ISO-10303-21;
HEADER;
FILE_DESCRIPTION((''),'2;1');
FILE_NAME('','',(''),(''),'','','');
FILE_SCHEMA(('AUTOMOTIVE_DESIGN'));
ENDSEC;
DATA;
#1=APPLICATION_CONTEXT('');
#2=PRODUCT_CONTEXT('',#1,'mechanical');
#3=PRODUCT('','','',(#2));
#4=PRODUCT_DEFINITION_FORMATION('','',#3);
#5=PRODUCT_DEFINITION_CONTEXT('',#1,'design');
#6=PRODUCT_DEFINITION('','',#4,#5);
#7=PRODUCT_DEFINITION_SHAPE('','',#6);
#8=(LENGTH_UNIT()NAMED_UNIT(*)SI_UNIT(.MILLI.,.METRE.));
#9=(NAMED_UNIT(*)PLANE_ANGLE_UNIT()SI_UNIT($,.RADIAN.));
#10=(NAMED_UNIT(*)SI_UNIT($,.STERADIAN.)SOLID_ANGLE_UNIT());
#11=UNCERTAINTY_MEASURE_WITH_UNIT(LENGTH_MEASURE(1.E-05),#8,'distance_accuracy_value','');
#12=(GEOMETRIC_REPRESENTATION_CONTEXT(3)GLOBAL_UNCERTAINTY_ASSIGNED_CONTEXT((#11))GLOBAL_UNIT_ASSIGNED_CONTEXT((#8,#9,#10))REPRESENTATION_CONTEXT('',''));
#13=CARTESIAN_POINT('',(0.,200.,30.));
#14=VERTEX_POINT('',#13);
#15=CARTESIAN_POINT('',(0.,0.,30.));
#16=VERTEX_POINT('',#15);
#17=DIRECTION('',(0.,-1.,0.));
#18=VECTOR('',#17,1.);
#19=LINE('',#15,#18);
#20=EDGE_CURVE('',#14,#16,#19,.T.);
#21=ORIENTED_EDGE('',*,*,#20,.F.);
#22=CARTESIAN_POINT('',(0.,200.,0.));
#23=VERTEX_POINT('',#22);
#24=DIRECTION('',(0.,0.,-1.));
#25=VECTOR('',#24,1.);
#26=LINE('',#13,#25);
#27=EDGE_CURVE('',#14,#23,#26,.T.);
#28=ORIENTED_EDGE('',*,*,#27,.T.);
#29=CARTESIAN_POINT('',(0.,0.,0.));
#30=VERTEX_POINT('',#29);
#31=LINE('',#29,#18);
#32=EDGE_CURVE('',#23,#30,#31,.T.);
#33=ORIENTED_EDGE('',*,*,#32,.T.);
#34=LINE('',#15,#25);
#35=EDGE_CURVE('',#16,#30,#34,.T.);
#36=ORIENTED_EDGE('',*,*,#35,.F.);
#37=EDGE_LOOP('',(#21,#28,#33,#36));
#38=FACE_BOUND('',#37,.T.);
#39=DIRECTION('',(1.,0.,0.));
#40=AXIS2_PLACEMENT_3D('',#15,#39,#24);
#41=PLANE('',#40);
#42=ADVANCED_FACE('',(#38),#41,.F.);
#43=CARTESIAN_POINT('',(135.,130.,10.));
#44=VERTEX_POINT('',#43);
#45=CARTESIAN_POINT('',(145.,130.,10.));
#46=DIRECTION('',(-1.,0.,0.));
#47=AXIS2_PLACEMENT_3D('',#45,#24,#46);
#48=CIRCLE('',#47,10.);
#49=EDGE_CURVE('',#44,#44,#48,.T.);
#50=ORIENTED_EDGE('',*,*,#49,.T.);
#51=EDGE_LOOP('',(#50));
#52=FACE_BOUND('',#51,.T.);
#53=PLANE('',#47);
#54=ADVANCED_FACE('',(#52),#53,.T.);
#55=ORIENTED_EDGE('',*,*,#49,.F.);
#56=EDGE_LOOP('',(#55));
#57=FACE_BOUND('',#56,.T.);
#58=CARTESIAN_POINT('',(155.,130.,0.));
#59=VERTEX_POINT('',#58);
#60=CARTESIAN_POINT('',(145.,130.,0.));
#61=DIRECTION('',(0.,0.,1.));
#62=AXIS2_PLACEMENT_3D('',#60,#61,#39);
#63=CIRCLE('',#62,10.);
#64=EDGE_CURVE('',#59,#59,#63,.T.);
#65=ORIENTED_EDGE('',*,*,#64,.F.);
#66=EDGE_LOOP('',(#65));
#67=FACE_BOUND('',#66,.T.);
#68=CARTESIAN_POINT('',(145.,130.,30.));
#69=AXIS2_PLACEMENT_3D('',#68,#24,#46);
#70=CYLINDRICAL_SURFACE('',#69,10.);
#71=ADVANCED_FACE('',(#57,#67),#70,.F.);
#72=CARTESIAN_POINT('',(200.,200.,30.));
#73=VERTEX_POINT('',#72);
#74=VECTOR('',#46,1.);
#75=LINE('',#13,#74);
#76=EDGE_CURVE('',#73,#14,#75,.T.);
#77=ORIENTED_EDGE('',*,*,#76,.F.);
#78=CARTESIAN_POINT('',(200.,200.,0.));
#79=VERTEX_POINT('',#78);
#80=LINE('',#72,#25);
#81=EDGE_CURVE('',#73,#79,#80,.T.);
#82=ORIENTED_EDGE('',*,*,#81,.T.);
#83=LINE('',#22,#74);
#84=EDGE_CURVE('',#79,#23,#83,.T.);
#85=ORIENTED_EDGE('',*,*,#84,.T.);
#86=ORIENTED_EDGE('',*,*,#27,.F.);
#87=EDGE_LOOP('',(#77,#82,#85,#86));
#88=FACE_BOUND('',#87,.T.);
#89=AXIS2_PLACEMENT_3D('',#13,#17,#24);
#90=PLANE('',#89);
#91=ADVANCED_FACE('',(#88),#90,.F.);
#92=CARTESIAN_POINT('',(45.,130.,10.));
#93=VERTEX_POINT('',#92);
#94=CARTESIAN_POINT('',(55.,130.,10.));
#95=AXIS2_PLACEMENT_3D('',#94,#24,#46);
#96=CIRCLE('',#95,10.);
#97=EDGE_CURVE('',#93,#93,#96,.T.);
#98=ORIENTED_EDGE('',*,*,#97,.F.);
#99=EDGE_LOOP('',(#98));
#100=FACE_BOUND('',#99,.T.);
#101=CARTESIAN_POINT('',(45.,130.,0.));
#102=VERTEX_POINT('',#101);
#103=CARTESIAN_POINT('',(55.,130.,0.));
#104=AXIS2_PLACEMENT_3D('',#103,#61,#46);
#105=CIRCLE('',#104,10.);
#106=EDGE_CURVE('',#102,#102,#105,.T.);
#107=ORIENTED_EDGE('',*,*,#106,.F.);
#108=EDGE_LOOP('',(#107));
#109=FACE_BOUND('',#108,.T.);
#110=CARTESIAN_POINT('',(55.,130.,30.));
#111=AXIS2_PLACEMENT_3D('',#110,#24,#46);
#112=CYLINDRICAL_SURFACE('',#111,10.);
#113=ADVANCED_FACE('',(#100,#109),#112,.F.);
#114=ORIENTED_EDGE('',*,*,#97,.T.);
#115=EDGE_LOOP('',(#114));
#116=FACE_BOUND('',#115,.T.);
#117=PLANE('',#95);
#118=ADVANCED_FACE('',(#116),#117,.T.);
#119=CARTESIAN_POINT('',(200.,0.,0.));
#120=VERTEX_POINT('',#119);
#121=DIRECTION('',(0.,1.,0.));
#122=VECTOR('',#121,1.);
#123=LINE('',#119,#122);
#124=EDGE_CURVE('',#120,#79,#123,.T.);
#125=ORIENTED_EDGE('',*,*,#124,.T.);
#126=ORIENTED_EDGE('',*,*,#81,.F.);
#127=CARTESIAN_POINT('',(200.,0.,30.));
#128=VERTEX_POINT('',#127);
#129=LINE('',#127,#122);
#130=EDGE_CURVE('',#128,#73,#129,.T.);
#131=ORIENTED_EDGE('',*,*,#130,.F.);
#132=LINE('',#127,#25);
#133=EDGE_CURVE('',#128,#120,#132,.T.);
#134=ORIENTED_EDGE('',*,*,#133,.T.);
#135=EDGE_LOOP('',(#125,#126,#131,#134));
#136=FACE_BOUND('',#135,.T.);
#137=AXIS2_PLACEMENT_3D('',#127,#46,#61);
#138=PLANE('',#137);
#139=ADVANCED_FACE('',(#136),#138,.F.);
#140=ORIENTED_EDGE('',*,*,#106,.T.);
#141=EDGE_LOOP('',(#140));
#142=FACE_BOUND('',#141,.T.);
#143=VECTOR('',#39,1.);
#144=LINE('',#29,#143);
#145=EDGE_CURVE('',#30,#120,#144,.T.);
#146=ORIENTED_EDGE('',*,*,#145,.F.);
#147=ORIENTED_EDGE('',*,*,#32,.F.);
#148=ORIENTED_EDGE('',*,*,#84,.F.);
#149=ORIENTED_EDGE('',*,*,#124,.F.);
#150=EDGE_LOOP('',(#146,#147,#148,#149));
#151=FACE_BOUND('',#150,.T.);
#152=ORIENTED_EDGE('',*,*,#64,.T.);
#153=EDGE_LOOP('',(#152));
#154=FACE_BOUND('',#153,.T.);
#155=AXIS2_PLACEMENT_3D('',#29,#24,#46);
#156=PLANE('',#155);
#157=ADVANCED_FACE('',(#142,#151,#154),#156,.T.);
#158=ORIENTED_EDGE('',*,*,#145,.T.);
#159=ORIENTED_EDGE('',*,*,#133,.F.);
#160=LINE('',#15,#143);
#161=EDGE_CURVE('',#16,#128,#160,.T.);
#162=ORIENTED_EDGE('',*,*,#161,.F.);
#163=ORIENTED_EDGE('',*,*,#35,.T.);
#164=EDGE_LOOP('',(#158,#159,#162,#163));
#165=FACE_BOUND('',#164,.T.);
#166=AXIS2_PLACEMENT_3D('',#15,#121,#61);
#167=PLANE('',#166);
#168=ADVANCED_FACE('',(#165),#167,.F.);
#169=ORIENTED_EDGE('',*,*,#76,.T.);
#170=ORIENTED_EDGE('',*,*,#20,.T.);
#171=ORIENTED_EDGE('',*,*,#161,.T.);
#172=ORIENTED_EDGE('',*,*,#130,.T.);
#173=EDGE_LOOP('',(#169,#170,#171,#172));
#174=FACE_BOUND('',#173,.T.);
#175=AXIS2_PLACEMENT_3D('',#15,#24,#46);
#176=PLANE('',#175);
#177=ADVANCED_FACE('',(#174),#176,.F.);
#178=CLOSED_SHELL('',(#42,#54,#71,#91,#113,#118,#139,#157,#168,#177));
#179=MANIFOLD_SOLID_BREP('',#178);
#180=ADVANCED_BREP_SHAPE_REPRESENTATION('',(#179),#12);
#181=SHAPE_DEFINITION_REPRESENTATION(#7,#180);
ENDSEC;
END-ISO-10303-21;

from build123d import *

# Parameters (mm, degrees)
SKETCH1_W           = 200
SKETCH1_H           = 200
SKETCH1_R           = 10
BOSS_EXTRUDE1_DEPTH = 30
BOSS_EXTRUDE2_START = -10
SKETCH2_R           = 10
BOSS_EXTRUDE2_DEPTH = 20


with BuildPart() as part:
    # Sketch1 → Boss-Extrude1 (new body)
    with BuildSketch(Plane.XY):
        with Locations((100, 100)):
            Rectangle(SKETCH1_W, SKETCH1_H)
        with Locations((145, 130)):
            Circle(SKETCH1_R, mode=Mode.SUBTRACT)
        with Locations((55, 130)):
            Circle(SKETCH1_R, mode=Mode.SUBTRACT)
    extrude(amount=BOSS_EXTRUDE1_DEPTH)

    # Sketch2 → Boss-Extrude2 (add)
    with BuildSketch(Plane(origin=(0, 0, 0), x_dir=(-1, 0, 0), z_dir=(0, 0, -1)).offset(BOSS_EXTRUDE2_START)):
        with Locations((-145, 130)):
            Circle(SKETCH2_R)
        with Locations((-55, 130)):
            Circle(SKETCH2_R)
    extrude(amount=-BOSS_EXTRUDE2_DEPTH)


solid = part.part
